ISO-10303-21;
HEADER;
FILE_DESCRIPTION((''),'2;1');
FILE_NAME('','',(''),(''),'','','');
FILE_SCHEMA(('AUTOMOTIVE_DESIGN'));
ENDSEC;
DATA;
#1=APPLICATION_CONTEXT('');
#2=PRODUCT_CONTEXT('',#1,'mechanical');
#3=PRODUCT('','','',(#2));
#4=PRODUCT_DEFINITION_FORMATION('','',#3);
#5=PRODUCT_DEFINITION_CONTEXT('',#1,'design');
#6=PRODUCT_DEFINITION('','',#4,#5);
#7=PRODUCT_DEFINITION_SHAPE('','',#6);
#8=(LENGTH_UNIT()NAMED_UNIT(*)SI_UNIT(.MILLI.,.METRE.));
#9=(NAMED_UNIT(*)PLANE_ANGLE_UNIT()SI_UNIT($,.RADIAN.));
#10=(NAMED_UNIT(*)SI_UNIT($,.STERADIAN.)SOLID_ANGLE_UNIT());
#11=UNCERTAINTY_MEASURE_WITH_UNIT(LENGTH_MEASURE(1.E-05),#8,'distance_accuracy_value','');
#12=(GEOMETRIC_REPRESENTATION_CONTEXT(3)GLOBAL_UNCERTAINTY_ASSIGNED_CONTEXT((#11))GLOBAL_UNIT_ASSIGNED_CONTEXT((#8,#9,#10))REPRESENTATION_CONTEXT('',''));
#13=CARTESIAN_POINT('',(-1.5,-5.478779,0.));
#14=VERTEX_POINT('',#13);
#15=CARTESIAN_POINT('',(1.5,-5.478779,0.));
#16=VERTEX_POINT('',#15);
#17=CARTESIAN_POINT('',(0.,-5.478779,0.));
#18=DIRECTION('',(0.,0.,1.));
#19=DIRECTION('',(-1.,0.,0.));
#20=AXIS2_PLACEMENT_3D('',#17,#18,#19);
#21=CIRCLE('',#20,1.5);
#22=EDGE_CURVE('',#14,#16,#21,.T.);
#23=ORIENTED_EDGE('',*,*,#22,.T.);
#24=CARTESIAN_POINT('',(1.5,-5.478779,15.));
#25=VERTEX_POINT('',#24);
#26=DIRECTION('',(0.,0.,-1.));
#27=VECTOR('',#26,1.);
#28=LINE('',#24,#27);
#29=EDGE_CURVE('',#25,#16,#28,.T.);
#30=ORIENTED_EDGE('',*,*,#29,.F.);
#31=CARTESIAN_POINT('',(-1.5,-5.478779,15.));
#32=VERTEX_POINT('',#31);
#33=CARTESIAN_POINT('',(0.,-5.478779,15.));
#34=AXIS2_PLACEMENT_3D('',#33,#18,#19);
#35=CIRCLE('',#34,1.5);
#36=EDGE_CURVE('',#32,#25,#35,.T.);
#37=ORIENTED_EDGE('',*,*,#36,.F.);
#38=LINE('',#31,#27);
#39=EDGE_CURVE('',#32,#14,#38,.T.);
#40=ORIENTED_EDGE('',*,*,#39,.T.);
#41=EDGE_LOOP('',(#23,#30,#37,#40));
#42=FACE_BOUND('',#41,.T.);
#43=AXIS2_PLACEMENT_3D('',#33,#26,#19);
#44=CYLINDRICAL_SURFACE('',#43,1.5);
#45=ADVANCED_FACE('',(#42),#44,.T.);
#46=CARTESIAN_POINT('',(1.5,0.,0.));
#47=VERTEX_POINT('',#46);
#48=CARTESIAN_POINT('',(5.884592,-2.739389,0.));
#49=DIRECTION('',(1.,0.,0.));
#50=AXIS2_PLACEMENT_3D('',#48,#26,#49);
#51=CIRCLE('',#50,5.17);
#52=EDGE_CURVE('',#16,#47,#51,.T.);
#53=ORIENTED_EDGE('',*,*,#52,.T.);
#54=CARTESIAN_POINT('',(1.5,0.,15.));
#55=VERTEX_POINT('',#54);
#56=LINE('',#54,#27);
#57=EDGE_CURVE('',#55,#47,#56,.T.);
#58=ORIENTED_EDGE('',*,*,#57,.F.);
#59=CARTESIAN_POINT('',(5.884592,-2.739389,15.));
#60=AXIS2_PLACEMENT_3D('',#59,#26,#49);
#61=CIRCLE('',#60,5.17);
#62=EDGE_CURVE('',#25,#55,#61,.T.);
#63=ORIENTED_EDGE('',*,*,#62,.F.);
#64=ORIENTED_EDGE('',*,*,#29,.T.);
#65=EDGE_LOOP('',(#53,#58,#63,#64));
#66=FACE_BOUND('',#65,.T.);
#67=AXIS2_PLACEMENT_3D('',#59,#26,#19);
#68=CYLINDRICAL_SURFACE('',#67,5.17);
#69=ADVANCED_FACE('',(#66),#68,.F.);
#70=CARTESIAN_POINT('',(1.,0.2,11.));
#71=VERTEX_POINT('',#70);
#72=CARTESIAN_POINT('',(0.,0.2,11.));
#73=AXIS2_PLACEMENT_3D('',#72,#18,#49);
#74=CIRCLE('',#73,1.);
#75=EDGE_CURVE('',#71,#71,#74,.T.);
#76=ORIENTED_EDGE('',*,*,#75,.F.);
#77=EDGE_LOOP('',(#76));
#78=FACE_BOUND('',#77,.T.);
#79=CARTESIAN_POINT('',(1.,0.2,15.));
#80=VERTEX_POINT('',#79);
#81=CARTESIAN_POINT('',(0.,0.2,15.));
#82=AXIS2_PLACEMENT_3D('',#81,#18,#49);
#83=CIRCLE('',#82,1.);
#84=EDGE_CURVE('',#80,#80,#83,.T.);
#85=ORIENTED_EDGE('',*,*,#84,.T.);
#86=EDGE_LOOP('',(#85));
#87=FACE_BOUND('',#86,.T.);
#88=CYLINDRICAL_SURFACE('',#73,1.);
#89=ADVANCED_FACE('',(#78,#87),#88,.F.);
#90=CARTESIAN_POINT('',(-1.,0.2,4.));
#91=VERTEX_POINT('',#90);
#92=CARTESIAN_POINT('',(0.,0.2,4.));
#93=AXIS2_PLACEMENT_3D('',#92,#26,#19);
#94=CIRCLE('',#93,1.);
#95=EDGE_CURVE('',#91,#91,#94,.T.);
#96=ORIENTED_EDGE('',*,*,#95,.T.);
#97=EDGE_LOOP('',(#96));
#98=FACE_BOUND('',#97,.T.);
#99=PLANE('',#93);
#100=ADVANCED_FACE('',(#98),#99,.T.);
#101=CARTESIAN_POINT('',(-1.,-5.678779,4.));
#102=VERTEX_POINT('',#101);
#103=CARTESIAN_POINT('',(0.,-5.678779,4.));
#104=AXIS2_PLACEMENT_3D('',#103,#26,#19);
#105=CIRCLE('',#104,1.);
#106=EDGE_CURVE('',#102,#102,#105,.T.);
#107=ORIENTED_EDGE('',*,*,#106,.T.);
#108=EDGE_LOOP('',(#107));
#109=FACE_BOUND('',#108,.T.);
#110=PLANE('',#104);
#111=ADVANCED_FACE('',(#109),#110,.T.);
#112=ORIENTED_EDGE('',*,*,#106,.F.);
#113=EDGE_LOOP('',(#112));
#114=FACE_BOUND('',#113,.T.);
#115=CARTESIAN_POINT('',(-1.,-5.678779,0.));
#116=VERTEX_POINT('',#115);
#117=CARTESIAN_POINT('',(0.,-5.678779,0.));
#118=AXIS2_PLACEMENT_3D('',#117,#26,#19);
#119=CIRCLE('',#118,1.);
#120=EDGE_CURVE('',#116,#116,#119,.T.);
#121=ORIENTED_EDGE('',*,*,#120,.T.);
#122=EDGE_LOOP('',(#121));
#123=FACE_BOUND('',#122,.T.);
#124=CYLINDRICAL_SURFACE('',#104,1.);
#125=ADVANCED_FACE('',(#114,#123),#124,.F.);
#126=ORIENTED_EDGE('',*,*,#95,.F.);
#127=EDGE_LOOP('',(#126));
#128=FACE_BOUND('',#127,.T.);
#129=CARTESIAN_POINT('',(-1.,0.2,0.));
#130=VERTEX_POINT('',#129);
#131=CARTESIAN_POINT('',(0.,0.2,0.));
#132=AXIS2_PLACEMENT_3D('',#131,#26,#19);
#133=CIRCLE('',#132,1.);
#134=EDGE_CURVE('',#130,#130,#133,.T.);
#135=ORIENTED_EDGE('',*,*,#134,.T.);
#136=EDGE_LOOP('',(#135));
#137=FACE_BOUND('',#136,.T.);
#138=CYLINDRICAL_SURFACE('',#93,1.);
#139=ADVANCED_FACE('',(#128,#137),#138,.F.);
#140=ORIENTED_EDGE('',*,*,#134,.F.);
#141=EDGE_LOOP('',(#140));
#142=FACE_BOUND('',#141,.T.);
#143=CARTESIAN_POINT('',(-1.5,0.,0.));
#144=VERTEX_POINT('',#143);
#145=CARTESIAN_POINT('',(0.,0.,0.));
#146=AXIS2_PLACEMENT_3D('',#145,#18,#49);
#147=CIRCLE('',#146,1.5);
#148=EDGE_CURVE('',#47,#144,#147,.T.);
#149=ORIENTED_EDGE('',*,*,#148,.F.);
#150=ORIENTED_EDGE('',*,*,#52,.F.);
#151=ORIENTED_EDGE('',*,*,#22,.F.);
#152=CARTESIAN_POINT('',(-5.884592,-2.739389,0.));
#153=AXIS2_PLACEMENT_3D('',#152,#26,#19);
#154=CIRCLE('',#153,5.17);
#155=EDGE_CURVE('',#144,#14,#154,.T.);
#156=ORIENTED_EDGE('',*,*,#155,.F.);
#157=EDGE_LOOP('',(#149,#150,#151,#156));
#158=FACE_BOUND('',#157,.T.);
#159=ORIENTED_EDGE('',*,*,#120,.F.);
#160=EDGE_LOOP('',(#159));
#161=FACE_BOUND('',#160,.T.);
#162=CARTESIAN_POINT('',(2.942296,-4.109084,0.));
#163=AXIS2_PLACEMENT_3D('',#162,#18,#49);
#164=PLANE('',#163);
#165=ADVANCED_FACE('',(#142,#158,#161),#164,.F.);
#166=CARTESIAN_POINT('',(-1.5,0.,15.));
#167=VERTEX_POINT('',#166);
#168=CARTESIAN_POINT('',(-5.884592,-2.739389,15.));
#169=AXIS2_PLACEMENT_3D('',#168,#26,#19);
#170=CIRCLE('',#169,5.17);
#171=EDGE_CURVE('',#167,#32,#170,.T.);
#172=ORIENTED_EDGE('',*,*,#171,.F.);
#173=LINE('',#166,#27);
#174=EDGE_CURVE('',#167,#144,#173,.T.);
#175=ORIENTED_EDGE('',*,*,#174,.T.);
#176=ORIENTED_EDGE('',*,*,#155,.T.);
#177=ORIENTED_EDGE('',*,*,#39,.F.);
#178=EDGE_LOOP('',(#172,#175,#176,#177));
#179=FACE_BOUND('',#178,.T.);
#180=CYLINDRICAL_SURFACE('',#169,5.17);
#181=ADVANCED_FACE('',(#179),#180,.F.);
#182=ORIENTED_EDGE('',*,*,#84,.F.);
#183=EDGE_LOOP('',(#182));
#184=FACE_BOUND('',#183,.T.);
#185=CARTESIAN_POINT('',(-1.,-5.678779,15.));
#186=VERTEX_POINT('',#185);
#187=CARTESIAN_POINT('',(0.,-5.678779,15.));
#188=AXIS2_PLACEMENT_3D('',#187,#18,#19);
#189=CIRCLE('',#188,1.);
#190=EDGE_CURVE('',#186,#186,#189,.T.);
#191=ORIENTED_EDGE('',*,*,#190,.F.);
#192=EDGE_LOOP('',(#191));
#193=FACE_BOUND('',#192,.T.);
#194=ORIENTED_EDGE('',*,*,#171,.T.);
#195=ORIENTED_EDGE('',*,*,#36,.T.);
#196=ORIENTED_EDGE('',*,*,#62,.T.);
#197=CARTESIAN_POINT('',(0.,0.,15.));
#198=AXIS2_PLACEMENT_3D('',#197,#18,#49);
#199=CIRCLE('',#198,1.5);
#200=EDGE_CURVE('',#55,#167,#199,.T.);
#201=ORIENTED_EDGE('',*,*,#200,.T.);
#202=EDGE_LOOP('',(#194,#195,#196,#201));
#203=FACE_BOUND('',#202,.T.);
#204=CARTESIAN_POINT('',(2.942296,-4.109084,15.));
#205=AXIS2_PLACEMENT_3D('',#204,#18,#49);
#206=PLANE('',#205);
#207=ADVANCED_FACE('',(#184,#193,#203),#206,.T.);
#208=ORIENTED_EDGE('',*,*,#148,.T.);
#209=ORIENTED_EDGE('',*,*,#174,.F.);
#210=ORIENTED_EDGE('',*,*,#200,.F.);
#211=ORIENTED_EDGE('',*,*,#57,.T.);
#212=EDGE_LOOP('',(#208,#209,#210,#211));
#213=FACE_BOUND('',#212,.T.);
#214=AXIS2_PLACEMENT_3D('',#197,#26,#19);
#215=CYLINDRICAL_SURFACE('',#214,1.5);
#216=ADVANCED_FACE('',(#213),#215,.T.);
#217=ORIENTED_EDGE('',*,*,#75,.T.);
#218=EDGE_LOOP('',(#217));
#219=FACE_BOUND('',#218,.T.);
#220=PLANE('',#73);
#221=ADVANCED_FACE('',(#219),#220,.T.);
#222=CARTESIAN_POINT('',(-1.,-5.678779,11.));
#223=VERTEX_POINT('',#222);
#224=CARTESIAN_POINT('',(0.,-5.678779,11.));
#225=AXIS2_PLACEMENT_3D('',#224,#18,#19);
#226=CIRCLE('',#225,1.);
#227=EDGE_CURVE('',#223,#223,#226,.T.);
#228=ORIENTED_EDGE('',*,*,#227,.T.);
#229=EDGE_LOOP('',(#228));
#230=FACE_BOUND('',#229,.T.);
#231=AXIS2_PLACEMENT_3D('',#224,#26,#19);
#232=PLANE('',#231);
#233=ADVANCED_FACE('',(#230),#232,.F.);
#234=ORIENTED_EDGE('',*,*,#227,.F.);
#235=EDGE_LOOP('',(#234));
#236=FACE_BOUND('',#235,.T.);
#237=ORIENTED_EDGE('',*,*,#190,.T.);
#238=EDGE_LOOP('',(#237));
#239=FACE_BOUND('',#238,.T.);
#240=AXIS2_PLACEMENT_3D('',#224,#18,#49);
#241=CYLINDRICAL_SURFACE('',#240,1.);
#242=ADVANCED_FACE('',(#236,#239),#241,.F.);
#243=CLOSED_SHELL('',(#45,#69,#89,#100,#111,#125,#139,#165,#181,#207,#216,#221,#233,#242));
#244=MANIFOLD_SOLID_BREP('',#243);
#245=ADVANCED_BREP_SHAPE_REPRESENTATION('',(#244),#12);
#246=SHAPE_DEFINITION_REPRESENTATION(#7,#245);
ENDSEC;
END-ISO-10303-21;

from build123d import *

# Parameters (mm, degrees)
BOSS_EXTRUDE1_DEPTH = 15
SKETCH2_R           = 1
CUT_EXTRUDE1_DEPTH  = 4
SKETCH3_R           = 1
CUT_EXTRUDE2_DEPTH  = 4


with BuildPart() as part:
    # Sketch1 → Boss-Extrude1 (new body)
    with BuildSketch(Plane.XY):
        with BuildLine():
            ThreePointArc((1.5, 0), (0, 1.5), (-1.5, 0))
            ThreePointArc((-1.5, 0), (-0.714591942, -2.739389257), (-1.5, -5.478778514))
            ThreePointArc((-1.5, -5.478778514), (0, -6.978778514), (1.5, -5.478778514))
            ThreePointArc((1.5, -5.478778514), (0.714591942, -2.739389257), (1.5, 0))
        make_face()
    extrude(amount=BOSS_EXTRUDE1_DEPTH)

    # Sketch2 → Cut-Extrude1 (cut)
    with BuildSketch(Plane.XY.offset(15)):
        with Locations((0, 0.2)):
            Circle(SKETCH2_R)
        with Locations((0, -5.678778514)):
            Circle(SKETCH2_R)
    extrude(amount=-CUT_EXTRUDE1_DEPTH, mode=Mode.SUBTRACT)

    # Sketch3 → Cut-Extrude2 (cut)
    with BuildSketch(Plane(origin=(0, 0, 0), x_dir=(-1, 0, 0), z_dir=(0, 0, -1))):
        with Locations((0, 0.2)):
            Circle(SKETCH3_R)
        with Locations((0, -5.678778514)):
            Circle(SKETCH3_R)
    extrude(amount=-CUT_EXTRUDE2_DEPTH, mode=Mode.SUBTRACT)


solid = part.part
